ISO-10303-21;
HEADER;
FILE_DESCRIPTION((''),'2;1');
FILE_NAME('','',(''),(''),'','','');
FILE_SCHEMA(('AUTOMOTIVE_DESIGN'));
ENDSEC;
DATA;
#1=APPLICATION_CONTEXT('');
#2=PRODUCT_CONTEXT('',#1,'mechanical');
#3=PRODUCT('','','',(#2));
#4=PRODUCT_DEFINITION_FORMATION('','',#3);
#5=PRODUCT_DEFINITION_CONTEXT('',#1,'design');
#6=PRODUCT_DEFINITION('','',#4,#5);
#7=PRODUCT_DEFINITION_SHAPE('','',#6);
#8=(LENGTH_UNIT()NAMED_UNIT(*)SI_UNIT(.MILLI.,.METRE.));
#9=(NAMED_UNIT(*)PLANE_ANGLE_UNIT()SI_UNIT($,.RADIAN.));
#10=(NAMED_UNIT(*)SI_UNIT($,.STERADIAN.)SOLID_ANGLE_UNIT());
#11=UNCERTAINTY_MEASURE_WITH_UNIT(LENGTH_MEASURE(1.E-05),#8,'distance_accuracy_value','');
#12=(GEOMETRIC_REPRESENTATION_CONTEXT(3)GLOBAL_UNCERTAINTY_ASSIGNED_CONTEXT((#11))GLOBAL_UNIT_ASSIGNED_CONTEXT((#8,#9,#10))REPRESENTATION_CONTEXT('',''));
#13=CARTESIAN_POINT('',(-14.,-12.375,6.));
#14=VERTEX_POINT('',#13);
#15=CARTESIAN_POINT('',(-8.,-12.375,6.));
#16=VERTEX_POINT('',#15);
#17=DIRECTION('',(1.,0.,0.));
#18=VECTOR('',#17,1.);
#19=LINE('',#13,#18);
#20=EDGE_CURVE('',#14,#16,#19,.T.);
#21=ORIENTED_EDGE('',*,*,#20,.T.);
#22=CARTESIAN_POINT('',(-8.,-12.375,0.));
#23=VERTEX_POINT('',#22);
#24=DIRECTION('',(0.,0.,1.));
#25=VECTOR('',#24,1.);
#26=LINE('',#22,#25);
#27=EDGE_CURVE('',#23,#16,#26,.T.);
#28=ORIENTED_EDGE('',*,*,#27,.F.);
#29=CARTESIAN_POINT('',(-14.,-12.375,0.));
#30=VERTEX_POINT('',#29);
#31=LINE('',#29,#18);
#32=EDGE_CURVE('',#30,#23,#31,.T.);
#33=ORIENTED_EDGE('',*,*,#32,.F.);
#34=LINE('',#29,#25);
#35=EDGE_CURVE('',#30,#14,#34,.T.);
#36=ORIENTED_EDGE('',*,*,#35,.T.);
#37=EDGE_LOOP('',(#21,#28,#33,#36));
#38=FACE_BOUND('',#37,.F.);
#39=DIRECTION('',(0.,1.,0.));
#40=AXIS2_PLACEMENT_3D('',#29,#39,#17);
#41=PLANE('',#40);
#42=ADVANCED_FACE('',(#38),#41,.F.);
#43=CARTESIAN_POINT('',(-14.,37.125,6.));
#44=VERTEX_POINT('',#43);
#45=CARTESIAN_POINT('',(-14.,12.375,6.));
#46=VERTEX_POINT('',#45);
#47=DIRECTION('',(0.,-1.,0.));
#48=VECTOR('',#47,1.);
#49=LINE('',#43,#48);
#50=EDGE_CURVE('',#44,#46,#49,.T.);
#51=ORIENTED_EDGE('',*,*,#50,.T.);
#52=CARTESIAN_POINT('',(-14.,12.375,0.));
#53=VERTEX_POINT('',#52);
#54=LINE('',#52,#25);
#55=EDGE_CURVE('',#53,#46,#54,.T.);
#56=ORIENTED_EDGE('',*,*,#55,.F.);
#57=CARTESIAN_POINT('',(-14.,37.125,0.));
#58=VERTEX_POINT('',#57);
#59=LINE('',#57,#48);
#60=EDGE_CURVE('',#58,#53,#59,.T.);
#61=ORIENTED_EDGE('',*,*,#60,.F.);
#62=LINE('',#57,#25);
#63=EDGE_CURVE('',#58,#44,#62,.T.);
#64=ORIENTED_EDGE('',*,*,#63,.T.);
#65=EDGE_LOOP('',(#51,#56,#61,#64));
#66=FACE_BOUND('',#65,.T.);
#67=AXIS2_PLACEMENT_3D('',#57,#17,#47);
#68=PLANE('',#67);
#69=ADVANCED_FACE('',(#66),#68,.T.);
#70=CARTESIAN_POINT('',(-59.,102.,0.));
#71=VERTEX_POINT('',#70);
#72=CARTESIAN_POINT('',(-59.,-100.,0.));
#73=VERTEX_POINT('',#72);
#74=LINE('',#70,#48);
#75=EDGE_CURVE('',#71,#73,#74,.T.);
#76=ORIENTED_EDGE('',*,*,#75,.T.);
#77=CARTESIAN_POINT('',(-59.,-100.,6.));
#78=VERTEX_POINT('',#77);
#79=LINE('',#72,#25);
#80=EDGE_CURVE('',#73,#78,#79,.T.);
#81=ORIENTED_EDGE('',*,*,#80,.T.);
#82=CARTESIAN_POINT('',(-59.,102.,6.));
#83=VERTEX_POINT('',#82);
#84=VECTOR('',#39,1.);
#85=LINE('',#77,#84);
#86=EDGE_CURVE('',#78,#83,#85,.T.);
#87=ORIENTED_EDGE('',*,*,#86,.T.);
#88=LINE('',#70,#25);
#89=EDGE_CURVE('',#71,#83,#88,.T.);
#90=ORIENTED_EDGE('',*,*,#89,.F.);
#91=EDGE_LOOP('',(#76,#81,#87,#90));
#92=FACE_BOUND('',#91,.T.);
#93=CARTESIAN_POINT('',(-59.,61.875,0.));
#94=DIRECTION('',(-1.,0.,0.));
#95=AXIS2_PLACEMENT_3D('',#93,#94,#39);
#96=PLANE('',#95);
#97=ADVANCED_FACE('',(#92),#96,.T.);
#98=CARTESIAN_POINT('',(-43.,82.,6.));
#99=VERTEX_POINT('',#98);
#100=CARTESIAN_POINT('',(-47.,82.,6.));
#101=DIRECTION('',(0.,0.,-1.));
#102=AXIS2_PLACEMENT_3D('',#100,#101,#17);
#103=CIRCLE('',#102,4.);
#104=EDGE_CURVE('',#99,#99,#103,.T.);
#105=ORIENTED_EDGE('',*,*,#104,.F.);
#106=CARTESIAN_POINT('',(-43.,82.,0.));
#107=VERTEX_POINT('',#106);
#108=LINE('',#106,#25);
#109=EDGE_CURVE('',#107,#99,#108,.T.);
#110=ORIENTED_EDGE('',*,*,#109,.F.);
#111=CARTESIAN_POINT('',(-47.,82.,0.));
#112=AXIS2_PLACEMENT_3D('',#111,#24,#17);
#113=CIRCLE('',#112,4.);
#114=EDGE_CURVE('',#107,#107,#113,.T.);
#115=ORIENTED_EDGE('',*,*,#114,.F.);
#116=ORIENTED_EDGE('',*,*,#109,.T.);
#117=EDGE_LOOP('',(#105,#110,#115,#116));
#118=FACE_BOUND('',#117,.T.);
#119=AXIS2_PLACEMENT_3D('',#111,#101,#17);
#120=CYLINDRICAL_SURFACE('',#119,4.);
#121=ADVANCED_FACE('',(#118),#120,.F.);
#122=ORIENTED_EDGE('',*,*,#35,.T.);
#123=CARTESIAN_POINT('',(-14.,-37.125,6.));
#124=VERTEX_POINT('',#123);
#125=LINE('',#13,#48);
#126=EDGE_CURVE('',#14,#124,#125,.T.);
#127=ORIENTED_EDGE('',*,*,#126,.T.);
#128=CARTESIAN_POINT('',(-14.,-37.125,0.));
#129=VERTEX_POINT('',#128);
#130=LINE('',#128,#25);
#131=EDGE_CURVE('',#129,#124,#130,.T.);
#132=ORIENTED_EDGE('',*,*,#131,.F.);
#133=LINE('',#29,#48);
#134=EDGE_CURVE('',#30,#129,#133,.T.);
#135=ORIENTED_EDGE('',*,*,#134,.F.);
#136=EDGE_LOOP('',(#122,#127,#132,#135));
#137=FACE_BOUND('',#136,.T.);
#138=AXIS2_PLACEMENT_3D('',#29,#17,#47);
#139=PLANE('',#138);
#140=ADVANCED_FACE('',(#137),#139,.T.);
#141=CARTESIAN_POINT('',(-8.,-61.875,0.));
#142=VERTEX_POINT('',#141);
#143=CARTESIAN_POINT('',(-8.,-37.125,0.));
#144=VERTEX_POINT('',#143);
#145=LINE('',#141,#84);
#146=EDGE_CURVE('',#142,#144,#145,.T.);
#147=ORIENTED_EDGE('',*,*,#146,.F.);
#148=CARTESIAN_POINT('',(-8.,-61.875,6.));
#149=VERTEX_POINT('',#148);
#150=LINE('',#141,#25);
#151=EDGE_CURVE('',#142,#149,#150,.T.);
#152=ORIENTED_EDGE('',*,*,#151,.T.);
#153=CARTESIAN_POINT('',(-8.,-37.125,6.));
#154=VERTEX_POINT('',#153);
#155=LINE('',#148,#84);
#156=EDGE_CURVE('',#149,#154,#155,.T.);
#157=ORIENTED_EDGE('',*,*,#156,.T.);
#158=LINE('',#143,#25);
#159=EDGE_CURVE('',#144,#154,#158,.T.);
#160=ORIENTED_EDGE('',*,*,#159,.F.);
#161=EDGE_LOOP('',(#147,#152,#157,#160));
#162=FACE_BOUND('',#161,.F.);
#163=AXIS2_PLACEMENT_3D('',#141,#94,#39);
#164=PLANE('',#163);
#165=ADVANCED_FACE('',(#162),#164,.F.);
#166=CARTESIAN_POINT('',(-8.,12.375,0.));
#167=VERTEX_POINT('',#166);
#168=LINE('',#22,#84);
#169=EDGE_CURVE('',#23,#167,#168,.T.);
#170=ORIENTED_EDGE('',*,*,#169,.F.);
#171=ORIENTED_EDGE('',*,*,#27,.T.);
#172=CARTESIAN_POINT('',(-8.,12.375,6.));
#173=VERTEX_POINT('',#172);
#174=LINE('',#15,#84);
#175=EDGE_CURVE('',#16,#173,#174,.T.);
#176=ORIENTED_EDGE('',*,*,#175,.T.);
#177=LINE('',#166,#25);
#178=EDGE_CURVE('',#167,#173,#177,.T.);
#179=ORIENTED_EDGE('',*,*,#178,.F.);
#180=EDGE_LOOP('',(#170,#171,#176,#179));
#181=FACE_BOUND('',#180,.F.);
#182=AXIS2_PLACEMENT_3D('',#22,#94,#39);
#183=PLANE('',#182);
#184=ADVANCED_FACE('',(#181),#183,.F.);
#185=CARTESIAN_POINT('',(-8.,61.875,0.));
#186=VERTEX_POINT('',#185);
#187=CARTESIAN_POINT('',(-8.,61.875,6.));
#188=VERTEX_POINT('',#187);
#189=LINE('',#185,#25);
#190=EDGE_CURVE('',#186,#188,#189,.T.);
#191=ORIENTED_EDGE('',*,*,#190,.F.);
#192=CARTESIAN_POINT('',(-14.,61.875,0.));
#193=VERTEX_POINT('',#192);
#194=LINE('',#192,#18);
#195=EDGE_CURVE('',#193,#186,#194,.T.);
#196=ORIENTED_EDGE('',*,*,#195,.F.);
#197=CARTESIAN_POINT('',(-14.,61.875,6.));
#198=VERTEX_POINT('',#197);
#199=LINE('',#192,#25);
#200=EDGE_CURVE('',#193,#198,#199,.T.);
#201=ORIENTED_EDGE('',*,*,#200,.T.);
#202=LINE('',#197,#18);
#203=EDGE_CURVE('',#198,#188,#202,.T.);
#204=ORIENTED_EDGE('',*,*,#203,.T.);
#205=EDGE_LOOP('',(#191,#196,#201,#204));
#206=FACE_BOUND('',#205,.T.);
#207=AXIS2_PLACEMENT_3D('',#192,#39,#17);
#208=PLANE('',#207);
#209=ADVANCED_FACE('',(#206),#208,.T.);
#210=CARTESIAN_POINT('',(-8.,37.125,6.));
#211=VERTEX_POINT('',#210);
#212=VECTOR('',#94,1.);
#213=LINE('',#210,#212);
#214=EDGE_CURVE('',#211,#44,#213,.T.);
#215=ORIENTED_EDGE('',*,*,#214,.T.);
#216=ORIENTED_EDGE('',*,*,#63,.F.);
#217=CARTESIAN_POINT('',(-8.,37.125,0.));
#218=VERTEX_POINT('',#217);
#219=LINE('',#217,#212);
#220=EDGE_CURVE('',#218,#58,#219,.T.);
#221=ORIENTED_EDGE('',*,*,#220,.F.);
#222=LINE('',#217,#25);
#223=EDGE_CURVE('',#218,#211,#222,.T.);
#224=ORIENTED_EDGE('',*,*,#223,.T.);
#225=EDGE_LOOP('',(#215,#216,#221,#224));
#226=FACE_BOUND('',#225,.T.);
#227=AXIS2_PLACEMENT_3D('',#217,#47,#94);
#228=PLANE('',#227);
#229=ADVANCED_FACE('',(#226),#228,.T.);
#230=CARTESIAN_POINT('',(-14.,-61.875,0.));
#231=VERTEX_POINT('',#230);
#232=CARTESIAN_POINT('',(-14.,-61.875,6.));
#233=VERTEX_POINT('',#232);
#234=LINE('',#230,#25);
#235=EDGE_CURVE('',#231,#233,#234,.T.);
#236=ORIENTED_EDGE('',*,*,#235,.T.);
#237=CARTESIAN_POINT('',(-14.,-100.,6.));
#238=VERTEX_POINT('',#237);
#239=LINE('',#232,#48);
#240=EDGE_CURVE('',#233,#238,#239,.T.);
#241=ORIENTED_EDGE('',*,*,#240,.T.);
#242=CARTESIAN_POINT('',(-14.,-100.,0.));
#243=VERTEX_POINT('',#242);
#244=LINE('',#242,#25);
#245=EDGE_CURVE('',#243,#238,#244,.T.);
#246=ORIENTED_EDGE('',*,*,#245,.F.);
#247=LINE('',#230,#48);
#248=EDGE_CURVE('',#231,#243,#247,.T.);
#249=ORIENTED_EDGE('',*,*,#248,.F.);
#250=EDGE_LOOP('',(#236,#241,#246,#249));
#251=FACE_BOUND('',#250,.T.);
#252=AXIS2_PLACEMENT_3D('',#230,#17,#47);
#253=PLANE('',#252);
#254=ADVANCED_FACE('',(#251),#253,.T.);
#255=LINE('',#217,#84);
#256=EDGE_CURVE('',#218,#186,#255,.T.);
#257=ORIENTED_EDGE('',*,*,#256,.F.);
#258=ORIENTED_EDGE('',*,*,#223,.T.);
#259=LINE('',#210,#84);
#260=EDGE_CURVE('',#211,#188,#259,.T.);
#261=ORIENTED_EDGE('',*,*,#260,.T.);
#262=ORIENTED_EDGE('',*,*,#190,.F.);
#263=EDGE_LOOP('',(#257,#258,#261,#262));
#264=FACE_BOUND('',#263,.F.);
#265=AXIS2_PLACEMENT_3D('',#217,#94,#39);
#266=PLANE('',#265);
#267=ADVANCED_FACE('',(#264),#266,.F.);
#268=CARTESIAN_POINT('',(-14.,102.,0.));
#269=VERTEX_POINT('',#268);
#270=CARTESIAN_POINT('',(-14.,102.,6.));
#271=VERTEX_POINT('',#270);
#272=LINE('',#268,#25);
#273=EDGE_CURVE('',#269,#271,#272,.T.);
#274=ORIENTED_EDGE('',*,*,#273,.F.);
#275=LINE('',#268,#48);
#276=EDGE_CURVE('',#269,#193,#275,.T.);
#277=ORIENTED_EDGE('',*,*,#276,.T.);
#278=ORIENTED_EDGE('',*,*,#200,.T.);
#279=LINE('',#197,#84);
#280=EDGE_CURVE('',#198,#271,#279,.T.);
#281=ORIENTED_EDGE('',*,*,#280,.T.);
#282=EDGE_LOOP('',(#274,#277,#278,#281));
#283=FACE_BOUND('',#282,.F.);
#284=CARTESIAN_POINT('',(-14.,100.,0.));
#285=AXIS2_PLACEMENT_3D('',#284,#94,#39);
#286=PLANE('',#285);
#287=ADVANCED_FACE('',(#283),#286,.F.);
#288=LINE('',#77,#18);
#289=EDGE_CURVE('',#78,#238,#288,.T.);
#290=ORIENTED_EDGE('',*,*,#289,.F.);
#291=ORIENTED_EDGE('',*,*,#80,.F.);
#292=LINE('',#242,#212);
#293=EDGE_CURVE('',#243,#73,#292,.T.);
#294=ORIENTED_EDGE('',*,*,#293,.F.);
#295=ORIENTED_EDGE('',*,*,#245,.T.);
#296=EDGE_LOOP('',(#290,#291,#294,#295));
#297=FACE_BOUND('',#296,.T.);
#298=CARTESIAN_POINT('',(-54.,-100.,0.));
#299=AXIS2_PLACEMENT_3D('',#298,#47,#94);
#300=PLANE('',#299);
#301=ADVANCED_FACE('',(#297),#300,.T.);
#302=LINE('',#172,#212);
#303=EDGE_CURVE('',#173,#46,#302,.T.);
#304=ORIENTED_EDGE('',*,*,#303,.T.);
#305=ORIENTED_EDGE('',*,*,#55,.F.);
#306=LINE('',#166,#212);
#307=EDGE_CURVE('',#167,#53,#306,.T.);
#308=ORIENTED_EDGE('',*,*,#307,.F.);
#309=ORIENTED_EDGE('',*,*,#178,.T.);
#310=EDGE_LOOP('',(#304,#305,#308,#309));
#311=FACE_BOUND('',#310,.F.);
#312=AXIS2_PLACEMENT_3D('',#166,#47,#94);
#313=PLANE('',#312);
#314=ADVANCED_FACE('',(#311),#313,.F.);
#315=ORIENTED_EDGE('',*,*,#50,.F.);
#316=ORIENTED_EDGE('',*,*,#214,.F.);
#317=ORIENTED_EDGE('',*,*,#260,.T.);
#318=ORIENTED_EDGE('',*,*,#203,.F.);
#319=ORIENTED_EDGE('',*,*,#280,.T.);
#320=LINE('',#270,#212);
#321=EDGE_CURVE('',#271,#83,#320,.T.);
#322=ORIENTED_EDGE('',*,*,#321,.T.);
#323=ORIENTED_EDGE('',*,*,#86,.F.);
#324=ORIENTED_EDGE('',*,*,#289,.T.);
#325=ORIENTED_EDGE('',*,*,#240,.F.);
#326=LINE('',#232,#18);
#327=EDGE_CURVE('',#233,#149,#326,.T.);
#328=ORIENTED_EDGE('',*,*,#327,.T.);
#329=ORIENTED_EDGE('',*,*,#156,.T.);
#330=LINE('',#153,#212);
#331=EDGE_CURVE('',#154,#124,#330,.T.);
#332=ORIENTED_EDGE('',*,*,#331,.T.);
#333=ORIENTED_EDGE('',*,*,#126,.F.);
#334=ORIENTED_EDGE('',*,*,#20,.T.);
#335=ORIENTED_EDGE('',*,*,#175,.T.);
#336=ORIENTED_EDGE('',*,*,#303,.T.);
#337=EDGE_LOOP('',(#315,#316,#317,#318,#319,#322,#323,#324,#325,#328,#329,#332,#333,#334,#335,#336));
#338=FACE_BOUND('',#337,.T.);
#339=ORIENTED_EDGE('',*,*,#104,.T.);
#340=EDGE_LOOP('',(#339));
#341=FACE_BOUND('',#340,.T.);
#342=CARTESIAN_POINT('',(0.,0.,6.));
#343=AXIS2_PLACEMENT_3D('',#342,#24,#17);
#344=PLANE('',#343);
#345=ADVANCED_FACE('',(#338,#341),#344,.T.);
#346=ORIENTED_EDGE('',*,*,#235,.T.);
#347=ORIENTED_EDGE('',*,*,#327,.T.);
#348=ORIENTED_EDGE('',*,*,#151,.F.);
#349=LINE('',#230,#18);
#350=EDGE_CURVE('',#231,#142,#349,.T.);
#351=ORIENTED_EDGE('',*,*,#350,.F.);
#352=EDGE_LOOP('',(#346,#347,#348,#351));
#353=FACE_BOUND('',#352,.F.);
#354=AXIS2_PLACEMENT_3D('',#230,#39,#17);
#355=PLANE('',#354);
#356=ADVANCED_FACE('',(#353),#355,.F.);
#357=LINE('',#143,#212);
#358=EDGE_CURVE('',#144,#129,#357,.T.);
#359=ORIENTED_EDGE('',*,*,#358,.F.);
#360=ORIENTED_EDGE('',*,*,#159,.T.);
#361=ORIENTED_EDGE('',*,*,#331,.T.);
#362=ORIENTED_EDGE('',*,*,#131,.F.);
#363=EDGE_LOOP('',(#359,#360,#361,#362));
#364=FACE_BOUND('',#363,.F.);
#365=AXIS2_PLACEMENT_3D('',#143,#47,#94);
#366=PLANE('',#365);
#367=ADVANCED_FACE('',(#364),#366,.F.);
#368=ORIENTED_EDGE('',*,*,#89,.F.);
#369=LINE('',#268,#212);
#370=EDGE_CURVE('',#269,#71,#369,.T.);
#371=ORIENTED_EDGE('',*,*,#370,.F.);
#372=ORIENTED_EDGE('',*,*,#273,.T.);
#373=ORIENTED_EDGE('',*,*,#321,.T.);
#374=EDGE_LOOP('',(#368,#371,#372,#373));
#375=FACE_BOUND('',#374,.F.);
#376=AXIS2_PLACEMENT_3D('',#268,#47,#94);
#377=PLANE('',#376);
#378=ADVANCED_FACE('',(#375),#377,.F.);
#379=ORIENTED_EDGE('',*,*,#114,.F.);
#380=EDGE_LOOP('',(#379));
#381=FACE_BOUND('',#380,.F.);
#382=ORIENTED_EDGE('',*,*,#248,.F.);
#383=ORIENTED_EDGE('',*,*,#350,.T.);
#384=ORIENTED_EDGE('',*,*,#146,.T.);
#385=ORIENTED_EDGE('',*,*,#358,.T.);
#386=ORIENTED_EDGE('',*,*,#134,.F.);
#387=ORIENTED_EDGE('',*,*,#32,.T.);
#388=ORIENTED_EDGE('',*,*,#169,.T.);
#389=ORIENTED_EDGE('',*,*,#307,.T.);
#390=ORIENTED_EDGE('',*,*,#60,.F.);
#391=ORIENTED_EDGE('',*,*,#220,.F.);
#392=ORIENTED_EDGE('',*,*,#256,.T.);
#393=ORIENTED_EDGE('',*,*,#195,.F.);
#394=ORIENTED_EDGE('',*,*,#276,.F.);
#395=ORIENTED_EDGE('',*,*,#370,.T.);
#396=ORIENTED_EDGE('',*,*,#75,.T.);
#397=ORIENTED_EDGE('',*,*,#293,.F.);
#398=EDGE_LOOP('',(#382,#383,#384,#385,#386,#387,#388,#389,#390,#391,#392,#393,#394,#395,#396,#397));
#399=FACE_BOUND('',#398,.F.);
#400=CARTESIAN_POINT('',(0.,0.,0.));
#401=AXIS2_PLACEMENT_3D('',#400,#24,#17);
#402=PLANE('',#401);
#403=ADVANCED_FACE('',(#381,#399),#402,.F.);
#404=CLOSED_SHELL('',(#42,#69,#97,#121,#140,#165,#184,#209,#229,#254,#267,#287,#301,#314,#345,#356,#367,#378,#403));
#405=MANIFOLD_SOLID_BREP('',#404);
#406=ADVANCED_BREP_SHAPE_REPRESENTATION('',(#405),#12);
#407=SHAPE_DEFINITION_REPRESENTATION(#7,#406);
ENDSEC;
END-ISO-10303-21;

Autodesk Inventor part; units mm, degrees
ref_plane "YZ Plane" through (0, 0, 0) normal (1, 0, 0) x (0, 1, 0)
ref_plane "XZ Plane" through (0, 0, 0) normal (0, 1, 0) x (-1, 0, 0)
ref_plane "XY Plane" through (0, 0, 0) normal (0, 0, 1) x (1, 0, 0)
sketch "Sketch1" plane through (0, 0, 0) normal (0, 0, 1) x (1, 0, 0)
  line L0 (-59, 61.875) -> (-59, 100)
  line L1 (-34, -100) -> (-54, -100)
  line L2 (-14, -12.375) -> (-8, -12.375)
  line L3 (-8, 37.125) -> (-14, 37.125)
  line L4 (-14, 61.875) -> (-8, 61.875)
  line L5 (-8, 12.375) -> (-14, 12.375)
  line L6 (-8, -37.125) -> (-14, -37.125)
  line L7 (-14, -61.875) -> (-8, -61.875)
  line L8 (-14, 61.875) -> (-14, 100)
  line L9 (-14, 37.125) -> (-14, 12.375)
  line L10 (-8, 37.125) -> (-8, 61.875)
  line L11 (-14, -12.375) -> (-14, -37.125)
  line L12 (-8, -61.875) -> (-8, -37.125)
  line L13 (-8, -12.375) -> (-8, 12.375)
  line L14 (-14, -61.875) -> (-14, -100)
  line L15 (-14, -100) -> (-59, -100)
  line L16 (-14, 100) -> (-14, 102)
  line L17 (-14, 102) -> (-59, 102)
  line L18 (-59, 102) -> (-59, 100)
  line L19 (-59, 61.875) -> (-59, -100)
  circle A0 centre (-47, 82) radius 4
  point P0 (-60, 61.875)
  point P1 (-60, 37.125)
  point P2 (-60, 12.375)
  point P3 (-60, -12.375)
  point P4 (-60, -37.125)
  point P5 (-60, -61.875)
  dimension "d13" = 45
  dimension "d20" = 20
extrude "Extrusion1" add sketch "Sketch1" along normal blind 6 contours L0 L18 L17 L16 L8 L4 L10 L3 L9 L5 L13 L2 L11 L6 L12 L7 L14 L15 L1 L19 | A0
extrude "Extrusion2" cut sketch "Sketch1" along normal through all contours A0
properties part number "Sides_2"
